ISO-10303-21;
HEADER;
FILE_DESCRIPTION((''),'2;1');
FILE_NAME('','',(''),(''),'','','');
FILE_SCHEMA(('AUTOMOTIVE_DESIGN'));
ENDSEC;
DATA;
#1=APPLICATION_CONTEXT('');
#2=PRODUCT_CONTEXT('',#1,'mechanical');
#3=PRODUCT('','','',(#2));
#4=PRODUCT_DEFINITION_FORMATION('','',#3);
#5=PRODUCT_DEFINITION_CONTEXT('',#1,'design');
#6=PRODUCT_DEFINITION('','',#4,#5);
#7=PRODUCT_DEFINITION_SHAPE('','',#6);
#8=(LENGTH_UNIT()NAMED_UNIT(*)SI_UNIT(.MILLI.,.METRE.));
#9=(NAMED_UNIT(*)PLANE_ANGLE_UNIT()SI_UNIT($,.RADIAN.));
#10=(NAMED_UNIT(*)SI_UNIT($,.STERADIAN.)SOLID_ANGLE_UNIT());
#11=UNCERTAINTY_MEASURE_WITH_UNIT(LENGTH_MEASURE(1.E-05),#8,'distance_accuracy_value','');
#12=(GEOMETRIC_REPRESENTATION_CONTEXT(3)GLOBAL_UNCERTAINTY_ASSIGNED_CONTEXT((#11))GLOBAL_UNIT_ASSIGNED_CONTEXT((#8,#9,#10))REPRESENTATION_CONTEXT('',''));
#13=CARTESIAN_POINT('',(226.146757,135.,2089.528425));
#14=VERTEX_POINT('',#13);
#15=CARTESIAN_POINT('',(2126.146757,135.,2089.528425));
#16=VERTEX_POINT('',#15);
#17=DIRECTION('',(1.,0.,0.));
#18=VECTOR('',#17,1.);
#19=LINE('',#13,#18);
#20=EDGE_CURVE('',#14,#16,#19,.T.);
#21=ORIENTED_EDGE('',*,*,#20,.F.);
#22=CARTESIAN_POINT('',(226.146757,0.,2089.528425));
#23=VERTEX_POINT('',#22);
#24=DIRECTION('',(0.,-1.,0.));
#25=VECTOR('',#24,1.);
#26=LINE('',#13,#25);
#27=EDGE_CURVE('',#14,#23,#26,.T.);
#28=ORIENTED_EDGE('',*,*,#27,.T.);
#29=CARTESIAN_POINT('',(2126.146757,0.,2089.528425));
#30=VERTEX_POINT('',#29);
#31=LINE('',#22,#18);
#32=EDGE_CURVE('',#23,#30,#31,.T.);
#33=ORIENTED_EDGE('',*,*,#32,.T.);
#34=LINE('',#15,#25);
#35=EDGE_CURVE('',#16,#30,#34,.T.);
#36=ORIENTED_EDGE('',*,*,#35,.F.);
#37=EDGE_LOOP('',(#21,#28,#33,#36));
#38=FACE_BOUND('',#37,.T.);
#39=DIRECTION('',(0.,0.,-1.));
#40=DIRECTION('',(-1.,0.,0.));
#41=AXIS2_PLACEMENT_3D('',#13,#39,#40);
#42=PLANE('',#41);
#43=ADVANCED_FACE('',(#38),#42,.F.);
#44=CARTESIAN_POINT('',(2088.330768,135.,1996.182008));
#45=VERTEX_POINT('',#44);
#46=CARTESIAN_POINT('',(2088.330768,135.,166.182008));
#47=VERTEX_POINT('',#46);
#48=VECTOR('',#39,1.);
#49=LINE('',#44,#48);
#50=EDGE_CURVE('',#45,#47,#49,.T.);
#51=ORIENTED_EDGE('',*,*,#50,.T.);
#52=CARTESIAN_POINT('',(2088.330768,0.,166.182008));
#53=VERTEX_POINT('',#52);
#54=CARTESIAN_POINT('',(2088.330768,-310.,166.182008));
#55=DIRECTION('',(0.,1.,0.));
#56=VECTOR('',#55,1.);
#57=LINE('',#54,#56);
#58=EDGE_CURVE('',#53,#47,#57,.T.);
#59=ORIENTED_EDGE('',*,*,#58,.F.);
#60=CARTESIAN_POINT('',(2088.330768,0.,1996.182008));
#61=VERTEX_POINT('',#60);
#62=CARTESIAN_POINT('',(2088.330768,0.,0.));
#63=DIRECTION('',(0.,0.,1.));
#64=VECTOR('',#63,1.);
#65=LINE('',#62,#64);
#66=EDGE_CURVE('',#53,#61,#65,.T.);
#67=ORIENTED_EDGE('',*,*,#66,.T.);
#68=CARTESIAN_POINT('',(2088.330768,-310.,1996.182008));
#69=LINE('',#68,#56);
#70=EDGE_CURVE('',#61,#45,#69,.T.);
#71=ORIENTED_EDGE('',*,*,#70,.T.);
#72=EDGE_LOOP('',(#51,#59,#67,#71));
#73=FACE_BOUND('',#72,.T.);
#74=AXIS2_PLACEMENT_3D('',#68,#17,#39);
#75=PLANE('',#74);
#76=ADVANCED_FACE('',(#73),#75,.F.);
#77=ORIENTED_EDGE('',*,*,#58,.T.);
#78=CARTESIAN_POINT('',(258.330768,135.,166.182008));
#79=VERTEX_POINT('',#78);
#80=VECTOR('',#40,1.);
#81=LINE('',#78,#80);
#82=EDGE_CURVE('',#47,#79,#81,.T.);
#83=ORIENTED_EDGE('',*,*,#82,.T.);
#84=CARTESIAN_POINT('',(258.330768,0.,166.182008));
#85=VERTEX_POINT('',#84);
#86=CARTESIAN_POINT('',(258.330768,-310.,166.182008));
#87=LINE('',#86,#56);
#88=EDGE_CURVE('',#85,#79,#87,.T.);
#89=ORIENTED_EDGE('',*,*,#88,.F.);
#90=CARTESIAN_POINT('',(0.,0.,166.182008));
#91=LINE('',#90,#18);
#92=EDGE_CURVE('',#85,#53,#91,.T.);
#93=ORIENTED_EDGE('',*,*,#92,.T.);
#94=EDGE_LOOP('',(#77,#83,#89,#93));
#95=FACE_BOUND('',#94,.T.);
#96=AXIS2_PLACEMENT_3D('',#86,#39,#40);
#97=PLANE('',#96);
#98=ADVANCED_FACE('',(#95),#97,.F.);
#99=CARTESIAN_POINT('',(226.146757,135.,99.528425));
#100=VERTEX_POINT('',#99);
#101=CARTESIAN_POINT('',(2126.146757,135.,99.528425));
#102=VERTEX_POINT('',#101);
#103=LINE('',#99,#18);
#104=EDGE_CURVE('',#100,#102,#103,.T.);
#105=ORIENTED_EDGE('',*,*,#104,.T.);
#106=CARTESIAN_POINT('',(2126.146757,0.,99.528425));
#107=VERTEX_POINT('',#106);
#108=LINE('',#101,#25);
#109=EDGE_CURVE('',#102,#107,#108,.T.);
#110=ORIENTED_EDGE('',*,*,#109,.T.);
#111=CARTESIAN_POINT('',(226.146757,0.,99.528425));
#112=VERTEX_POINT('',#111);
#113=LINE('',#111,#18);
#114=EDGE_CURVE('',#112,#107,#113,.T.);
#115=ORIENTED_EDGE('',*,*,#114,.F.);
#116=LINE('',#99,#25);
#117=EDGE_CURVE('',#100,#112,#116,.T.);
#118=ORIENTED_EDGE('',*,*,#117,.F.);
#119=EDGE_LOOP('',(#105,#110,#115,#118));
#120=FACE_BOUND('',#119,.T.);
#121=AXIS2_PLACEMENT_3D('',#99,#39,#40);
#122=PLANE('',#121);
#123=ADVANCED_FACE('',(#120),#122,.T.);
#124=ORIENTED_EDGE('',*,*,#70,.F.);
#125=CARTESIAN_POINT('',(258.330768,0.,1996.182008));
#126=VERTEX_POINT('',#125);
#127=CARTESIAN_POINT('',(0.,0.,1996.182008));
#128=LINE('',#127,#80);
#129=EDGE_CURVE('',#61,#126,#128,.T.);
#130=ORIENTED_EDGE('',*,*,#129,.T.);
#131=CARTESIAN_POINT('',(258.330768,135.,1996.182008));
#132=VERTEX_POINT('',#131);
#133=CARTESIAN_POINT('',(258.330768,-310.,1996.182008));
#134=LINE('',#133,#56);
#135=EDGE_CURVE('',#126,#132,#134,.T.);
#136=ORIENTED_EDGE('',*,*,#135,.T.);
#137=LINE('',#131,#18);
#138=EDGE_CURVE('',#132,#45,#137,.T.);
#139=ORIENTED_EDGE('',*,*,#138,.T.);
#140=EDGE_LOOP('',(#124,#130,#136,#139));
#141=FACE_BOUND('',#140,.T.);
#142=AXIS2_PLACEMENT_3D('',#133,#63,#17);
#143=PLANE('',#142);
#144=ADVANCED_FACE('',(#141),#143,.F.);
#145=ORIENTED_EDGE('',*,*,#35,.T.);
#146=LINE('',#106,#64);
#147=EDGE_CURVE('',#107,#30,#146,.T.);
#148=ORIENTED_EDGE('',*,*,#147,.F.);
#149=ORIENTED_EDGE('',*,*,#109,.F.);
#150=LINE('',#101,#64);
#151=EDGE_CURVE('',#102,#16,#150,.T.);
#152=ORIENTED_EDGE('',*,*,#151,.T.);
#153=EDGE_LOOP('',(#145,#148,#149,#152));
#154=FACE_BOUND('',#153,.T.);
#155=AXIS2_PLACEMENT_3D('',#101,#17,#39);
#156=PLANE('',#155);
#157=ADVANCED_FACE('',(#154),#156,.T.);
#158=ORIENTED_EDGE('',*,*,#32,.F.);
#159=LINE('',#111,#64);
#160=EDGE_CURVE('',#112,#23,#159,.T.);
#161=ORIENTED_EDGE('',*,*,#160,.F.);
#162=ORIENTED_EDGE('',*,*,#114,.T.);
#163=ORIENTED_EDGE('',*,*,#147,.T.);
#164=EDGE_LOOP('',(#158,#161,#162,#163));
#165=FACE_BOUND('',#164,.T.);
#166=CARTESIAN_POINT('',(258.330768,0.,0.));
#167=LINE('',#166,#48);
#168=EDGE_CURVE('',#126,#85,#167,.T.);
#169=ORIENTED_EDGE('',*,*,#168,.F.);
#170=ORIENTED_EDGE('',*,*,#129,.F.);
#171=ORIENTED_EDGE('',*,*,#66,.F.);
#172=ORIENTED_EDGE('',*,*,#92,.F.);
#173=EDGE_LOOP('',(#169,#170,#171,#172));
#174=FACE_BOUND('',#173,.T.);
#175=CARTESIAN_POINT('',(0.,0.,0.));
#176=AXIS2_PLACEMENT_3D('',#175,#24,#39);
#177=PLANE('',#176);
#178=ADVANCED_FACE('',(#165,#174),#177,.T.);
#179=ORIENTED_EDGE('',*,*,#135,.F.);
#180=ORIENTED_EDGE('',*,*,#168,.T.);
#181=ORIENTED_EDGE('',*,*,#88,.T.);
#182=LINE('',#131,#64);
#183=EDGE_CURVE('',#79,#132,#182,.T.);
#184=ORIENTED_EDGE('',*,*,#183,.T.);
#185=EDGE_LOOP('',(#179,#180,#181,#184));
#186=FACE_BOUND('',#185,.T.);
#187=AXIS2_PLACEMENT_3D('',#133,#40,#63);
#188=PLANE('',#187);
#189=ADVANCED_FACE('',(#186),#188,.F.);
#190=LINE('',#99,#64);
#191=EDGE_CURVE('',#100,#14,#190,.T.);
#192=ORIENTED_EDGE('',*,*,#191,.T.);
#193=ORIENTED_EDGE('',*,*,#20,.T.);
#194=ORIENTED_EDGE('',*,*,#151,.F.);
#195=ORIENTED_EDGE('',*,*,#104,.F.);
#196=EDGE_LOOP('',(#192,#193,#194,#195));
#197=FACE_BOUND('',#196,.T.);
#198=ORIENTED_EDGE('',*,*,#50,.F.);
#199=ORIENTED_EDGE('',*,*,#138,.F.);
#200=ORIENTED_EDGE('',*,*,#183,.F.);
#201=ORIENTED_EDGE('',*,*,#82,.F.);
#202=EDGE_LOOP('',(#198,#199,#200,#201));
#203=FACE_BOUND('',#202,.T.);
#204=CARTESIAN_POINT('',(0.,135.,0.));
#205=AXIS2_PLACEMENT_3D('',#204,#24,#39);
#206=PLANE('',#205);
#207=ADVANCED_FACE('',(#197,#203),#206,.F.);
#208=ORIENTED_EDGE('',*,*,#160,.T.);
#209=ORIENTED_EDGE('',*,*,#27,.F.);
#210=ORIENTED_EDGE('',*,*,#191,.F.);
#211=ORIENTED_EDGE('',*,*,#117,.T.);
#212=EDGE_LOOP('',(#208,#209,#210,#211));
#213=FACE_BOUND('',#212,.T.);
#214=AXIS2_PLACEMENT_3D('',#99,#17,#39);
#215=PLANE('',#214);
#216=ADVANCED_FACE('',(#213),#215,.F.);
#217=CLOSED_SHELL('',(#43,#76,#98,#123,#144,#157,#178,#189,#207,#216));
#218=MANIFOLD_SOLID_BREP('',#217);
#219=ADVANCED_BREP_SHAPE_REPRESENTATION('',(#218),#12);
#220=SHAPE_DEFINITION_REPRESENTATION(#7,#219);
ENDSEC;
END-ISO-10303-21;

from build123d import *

# Parameters (mm, degrees)
SKETCH1_W           = 1900
SKETCH1_H           = 1990
BOSS_EXTRUDE1_DEPTH = 135
SKETCH2_W           = 1830
SKETCH2_H           = 1830
CUT_EXTRUDE2_DEPTH  = 445


with BuildPart() as part:
    # Sketch1 → Boss-Extrude1 (new body)
    with BuildSketch(Plane(origin=(214.71083156, 0, 138.123960973), x_dir=(1, 0, 0), z_dir=(0, 1, 0))):
        with Locations((961.435925314, -956.404464505)):
            Rectangle(SKETCH1_W, SKETCH1_H)
    extrude(amount=BOSS_EXTRUDE1_DEPTH)

    # Sketch2 → Cut-Extrude2 (cut)
    with BuildSketch(Plane(origin=(214.71083156, 135, 138.123960973), x_dir=(1, 0, 0), z_dir=(0, 1, 0))):
        with Locations((958.619936417, -943.058047437)):
            Rectangle(SKETCH2_W, SKETCH2_H)
    extrude(amount=-CUT_EXTRUDE2_DEPTH, mode=Mode.SUBTRACT)


solid = part.part
